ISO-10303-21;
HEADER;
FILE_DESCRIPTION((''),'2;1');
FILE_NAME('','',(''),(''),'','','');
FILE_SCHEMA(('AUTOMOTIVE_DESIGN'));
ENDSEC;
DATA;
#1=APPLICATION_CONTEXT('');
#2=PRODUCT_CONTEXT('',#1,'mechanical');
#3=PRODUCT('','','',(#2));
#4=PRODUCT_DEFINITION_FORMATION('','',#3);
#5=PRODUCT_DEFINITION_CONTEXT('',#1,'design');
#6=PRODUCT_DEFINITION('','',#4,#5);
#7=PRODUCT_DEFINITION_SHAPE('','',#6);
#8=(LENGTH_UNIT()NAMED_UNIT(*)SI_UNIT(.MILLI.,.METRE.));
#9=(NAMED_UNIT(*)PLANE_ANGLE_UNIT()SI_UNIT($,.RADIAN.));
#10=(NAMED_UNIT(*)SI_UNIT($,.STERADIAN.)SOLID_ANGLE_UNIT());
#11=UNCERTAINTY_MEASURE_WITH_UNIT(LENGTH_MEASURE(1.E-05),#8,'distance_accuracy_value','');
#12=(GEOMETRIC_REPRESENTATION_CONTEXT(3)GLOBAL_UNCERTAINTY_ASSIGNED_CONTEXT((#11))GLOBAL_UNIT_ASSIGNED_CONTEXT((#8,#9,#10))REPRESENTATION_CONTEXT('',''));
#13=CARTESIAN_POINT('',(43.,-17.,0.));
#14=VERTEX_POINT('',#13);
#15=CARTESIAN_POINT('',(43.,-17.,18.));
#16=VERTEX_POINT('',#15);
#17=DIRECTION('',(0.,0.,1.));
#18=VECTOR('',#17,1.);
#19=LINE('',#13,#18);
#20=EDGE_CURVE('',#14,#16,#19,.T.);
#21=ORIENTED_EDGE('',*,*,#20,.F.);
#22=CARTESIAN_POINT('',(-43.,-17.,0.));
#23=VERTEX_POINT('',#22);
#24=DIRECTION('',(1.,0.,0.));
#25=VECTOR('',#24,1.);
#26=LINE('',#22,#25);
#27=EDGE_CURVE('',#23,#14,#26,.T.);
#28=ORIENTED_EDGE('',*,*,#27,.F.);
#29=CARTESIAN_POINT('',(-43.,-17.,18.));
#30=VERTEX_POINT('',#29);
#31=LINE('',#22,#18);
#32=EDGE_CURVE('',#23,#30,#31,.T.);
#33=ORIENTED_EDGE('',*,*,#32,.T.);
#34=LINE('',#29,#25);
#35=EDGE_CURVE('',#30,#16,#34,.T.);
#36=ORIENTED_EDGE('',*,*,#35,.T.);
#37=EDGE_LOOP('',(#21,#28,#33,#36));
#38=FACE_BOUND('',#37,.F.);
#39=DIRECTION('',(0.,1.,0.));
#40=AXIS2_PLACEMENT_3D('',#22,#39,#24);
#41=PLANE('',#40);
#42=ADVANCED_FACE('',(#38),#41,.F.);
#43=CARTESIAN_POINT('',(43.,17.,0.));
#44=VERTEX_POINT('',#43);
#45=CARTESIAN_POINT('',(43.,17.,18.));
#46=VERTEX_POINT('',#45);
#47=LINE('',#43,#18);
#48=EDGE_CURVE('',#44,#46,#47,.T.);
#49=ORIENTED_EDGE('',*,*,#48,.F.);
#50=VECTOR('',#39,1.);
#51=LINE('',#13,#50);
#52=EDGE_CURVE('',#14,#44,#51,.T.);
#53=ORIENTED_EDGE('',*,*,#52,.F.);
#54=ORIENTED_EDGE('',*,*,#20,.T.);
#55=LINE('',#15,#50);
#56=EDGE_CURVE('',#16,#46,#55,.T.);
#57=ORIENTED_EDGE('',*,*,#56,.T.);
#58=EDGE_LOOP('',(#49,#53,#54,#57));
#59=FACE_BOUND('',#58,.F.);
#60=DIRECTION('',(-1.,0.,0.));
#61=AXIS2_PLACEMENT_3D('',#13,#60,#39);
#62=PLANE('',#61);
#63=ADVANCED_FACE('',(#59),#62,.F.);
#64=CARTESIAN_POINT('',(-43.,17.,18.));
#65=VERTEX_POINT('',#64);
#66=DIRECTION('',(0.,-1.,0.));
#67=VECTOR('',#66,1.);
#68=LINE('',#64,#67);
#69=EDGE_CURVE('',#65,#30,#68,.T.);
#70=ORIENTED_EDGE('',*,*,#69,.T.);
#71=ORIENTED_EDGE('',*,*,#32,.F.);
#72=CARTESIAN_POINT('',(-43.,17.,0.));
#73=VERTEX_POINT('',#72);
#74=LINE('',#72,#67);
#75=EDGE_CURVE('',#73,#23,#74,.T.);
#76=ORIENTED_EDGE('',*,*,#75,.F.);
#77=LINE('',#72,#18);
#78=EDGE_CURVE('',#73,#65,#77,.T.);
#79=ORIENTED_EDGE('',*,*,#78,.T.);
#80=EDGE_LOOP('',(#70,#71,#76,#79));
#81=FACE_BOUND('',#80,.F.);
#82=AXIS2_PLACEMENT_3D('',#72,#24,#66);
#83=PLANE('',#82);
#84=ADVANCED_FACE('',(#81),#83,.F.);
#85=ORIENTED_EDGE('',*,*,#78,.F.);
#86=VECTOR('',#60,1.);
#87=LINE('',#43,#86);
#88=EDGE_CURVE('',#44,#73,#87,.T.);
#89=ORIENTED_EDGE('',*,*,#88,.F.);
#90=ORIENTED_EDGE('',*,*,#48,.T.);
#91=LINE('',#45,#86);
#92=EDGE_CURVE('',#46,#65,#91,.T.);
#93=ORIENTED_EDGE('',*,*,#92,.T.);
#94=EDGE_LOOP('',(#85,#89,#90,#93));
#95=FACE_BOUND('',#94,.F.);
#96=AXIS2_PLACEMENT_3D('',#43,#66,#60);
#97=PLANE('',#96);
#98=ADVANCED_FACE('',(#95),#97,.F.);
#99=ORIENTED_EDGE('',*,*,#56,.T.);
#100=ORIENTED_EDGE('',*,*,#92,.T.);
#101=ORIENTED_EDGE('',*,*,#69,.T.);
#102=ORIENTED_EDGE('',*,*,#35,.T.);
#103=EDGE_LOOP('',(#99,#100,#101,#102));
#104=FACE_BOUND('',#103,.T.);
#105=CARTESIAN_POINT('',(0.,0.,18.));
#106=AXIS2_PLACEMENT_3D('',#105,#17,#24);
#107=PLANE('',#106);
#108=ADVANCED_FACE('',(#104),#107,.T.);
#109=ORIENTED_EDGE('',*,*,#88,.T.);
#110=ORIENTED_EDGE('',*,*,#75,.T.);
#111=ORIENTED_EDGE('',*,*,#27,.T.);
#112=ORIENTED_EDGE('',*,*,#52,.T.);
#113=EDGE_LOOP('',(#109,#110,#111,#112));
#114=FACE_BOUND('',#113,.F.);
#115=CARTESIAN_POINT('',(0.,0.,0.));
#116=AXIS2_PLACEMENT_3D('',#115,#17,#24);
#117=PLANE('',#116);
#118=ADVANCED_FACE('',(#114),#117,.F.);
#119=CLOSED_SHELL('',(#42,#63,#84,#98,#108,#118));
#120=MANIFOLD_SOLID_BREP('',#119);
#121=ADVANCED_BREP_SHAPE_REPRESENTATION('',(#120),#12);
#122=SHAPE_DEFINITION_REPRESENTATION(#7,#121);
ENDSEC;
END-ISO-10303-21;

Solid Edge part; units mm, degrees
sketch "Sketch1" plane through (0, 0, 0) normal (0, 0, 1) x (1, 0, 0)
  line L0 (-43, -17) -> (43, -17)
  line L1 (43, -17) -> (43, 17)
  line L2 (43, 17) -> (-43, 17)
  line L3 (-43, 17) -> (-43, -17)
extrude "Protrusion1" add sketch "Sketch1" along normal blind 18
